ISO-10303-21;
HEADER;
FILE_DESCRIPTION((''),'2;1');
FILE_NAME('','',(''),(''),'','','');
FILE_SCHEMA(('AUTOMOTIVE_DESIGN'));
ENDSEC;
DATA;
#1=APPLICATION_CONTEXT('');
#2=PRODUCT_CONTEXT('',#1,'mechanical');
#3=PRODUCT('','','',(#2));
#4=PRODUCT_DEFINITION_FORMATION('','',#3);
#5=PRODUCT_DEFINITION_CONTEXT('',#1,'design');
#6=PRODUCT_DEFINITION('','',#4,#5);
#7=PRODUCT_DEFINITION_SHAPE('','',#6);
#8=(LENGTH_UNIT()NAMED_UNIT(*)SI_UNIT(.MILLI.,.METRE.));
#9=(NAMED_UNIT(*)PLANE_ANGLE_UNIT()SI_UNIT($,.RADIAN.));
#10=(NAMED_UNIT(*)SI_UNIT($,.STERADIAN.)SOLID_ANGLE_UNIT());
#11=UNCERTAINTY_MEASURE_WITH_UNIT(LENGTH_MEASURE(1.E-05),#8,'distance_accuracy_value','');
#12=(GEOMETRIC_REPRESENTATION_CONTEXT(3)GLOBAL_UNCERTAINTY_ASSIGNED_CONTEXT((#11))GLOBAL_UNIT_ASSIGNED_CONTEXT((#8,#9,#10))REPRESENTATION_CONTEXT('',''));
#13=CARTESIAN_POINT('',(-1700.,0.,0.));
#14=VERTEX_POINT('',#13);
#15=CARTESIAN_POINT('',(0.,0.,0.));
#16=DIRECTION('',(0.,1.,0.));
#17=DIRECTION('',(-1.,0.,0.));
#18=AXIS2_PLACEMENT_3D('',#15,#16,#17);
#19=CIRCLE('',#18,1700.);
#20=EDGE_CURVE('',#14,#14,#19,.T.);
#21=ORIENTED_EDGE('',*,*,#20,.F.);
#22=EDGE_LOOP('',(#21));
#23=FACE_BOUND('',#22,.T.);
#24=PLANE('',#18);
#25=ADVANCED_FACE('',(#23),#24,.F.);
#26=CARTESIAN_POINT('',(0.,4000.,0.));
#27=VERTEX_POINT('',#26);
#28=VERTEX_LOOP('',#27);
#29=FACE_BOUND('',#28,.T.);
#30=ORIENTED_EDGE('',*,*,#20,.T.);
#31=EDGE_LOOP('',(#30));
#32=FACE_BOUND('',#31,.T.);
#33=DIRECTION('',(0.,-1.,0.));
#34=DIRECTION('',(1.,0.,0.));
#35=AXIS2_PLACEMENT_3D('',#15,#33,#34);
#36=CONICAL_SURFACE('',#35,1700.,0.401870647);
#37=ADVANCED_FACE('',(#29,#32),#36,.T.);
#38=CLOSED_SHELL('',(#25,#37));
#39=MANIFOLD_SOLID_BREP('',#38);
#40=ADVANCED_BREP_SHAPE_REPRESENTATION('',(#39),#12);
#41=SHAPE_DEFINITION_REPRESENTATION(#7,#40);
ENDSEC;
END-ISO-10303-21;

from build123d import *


with BuildPart() as part:
    # Sketch1 → Revolve1 (revolve)
    with BuildSketch(Plane.XY):
        Polygon((0, 0), (1700, 0), (0, 4000), align=None)
    revolve(axis=Axis((0, 4000, 0), (0, -1, 0)))


solid = part.part
